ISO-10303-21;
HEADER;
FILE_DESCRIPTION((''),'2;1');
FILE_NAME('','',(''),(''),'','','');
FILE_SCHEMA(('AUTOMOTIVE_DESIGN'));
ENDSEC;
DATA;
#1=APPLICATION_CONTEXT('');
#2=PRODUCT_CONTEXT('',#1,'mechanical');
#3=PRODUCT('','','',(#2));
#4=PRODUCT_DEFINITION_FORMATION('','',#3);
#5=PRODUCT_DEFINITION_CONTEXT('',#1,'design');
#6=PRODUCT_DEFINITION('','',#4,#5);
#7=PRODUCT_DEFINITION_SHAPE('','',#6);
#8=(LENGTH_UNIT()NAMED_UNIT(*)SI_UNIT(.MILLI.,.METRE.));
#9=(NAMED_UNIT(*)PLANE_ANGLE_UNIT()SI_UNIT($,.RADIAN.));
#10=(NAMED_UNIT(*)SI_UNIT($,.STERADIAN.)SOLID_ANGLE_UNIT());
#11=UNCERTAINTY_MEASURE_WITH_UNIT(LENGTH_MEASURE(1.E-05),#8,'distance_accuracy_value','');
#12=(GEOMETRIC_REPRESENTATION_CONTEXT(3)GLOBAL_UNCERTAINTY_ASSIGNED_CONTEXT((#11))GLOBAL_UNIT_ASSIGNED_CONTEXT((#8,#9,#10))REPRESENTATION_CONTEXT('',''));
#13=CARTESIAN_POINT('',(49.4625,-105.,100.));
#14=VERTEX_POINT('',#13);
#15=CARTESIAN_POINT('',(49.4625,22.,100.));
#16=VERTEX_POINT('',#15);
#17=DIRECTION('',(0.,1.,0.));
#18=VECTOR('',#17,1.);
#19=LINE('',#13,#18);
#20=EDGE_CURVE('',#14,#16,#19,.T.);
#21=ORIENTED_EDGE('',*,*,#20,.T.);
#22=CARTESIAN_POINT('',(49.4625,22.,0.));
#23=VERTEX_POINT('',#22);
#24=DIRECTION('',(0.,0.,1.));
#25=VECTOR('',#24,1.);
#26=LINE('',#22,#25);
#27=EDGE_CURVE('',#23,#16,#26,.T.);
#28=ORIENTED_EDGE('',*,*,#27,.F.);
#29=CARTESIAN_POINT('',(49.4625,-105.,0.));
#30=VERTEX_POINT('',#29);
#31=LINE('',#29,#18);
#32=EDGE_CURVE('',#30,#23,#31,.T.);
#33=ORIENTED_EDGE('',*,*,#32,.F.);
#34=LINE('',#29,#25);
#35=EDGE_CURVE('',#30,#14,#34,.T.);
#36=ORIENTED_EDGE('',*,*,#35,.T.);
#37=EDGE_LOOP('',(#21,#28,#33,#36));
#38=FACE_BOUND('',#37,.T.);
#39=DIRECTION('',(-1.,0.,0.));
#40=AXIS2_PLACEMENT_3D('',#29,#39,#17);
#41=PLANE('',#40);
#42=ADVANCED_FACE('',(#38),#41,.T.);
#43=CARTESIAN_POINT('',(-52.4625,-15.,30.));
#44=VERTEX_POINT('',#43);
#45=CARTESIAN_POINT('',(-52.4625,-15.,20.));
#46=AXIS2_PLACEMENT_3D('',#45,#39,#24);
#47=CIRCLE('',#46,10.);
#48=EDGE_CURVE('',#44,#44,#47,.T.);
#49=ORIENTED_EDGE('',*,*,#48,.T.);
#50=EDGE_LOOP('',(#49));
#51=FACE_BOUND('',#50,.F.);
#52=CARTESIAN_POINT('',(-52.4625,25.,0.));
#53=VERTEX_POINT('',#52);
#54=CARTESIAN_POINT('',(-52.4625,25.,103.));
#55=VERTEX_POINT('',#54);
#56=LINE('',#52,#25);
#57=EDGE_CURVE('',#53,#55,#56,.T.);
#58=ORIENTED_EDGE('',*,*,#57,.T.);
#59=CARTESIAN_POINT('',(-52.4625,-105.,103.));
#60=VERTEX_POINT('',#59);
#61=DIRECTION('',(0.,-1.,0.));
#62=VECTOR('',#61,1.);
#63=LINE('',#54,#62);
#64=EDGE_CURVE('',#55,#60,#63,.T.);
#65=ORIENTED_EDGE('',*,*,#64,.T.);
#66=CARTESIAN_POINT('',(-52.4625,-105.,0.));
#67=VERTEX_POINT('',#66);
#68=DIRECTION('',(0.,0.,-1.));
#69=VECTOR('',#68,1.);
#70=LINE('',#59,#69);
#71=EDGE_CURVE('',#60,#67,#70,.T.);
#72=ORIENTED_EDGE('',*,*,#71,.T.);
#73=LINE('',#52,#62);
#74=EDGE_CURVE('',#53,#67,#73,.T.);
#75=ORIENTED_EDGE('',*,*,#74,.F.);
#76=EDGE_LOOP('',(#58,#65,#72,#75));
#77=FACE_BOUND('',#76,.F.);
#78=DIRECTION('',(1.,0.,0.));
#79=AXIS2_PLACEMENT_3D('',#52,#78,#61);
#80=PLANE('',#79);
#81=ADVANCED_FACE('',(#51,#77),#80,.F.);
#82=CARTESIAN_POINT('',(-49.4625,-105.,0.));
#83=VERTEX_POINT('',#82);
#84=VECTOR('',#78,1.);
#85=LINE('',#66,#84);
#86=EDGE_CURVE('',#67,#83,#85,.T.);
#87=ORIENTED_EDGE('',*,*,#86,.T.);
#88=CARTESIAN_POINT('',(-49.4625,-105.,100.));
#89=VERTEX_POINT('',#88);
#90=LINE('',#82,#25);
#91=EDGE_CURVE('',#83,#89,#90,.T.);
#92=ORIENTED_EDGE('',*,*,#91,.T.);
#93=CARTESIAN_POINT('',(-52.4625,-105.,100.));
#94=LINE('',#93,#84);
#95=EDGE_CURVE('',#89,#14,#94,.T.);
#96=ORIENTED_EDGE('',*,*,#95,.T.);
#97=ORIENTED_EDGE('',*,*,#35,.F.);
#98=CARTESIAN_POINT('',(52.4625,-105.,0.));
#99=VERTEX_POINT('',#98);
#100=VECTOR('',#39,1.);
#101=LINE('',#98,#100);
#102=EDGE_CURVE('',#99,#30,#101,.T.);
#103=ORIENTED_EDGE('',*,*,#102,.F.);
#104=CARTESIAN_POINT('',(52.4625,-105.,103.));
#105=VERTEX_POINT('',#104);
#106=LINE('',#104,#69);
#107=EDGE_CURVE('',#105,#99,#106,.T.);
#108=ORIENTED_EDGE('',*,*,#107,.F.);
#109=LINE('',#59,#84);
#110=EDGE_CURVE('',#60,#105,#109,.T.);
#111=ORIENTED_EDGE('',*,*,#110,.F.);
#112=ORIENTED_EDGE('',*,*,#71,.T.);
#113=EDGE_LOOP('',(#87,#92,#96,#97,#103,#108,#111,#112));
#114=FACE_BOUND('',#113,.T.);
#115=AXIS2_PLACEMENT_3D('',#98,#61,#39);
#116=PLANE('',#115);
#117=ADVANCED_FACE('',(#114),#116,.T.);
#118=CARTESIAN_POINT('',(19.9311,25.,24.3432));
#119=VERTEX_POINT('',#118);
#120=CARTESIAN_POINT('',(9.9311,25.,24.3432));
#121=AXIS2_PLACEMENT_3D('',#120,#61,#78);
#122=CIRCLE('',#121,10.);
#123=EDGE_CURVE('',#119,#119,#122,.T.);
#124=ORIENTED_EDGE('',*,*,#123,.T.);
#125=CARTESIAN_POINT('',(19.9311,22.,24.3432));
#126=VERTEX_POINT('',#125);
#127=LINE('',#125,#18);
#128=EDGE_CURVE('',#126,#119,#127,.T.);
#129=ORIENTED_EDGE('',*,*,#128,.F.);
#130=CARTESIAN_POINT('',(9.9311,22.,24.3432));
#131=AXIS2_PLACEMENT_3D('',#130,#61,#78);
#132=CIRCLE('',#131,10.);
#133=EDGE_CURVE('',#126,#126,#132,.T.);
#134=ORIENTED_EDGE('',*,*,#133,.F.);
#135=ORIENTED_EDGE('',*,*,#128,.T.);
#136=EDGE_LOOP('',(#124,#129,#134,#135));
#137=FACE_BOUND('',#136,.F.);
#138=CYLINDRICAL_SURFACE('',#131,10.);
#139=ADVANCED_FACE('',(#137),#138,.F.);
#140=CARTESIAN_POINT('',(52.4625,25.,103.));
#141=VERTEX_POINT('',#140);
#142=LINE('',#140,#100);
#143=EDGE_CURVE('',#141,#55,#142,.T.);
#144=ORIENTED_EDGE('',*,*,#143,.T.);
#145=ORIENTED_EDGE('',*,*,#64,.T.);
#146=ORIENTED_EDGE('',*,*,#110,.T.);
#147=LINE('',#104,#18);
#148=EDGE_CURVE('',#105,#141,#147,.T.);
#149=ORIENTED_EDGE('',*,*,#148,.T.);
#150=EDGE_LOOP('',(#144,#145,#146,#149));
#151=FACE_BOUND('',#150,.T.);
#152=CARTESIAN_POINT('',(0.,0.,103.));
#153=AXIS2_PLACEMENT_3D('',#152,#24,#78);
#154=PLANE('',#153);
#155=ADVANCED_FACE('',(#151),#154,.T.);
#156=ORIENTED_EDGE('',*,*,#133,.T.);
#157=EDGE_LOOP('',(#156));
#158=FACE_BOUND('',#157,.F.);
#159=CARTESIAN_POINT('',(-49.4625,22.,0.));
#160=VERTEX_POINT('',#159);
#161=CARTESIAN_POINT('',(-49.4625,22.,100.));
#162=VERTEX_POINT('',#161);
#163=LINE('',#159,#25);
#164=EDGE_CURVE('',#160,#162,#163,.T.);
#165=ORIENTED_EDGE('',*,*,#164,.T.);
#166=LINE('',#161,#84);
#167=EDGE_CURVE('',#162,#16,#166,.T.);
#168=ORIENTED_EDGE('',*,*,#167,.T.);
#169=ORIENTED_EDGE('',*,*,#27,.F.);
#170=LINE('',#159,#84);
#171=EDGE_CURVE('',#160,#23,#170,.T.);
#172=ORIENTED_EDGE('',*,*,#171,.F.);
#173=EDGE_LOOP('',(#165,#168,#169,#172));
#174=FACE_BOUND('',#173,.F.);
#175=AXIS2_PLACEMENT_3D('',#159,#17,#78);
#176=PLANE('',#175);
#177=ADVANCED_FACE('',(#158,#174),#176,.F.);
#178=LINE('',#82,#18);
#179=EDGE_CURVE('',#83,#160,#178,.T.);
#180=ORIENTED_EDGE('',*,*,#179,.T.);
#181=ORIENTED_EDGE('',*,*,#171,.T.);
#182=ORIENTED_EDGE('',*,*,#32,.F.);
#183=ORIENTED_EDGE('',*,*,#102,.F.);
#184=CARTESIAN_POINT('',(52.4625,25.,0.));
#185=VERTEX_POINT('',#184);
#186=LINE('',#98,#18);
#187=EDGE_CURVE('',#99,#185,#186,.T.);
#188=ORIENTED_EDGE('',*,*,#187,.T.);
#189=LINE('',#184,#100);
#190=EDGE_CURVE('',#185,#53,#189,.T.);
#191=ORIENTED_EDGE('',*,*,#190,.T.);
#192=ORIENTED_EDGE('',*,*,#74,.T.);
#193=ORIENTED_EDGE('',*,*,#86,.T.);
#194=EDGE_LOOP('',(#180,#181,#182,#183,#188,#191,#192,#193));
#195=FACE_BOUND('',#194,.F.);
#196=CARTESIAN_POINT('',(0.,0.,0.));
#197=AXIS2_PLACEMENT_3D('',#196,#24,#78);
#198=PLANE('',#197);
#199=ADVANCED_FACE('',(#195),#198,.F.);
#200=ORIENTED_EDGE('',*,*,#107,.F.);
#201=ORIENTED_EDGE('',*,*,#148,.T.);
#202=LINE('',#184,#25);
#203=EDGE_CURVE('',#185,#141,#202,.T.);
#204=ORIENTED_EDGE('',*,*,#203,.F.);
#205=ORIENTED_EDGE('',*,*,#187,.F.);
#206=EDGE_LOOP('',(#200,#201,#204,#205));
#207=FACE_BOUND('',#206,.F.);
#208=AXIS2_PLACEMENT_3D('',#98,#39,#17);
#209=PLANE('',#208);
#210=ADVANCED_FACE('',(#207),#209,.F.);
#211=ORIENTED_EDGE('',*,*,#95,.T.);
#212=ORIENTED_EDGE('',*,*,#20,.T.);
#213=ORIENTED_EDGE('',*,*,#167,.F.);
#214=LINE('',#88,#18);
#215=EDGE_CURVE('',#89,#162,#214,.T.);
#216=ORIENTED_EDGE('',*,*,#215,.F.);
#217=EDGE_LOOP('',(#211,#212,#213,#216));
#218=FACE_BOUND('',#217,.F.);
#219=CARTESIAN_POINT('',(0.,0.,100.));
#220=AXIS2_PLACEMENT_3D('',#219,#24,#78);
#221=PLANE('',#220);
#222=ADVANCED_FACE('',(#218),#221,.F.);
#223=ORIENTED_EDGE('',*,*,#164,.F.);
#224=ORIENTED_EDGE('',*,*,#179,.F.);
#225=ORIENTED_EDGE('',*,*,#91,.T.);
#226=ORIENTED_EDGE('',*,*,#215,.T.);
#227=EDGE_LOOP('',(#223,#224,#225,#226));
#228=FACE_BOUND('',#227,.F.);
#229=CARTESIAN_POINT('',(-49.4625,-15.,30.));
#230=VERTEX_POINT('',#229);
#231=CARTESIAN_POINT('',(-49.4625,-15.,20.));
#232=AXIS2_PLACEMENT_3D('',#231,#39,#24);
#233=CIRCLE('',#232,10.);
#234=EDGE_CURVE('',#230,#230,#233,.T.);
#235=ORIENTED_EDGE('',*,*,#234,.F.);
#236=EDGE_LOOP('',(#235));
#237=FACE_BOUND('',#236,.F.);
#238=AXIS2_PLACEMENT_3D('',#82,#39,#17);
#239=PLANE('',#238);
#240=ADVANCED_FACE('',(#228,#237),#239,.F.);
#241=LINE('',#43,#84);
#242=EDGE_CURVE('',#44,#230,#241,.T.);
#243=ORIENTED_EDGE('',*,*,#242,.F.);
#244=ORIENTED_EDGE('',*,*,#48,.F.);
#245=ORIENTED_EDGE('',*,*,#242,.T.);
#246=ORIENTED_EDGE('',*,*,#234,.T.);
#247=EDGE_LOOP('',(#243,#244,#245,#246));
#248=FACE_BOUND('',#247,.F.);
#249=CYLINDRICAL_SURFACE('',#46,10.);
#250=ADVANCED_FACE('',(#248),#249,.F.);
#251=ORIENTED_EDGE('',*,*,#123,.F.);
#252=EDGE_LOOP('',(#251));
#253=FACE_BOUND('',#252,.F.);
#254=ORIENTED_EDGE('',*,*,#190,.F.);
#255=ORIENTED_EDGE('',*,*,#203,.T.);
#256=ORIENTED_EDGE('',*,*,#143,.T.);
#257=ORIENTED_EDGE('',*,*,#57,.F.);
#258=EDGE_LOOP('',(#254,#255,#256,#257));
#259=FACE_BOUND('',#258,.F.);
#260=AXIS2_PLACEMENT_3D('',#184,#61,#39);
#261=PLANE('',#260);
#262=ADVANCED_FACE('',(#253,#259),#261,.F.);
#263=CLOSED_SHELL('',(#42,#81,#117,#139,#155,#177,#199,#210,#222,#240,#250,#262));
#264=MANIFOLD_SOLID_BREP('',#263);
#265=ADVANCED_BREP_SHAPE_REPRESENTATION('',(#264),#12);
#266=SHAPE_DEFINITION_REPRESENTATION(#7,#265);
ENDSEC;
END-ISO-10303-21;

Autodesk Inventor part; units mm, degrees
ref_plane "YZ Plane" through (0, 0, 0) normal (1, 0, 0) x (0, 1, 0)
ref_plane "XZ Plane" through (0, 0, 0) normal (0, 1, 0) x (-1, 0, 0)
ref_plane "XY Plane" through (0, 0, 0) normal (0, 0, 1) x (1, 0, 0)
sketch "Sketch1" plane through (0, 0, 0) normal (0, 0, 1) x (1, 0, 0)
  line L0 (52.4625, 25) -> (-52.4625, 25)
  line L1 (-52.4625, 25) -> (-52.4625, -105)
  line L2 (52.4625, -105) -> (52.4625, 25)
  line L3 (-96.7125, -125) -> (96.7125, -125) projected
  line L4 (55.4625, -110) -> (55.4625, -50) projected
  line L5 (-55.4625, -50) -> (-55.4625, -110) projected
  line L6 (52.4625, -105) -> (49.4625, -105)
  line L7 (49.4625, -105) -> (49.4625, 22)
  line L8 (49.4625, 25) -> (52.4625, 25)
  line L9 (52.4625, 25) -> (52.4625, -105)
  line L10 (-52.4625, -105) -> (-49.4625, -105)
  line L11 (-49.4625, -105) -> (-49.4625, 22)
  line L12 (-49.4625, 25) -> (-52.4625, 25)
  line L13 (-52.4625, 25) -> (-52.4625, -105)
  line L14 (49.4625, 25) -> (-49.4625, 25)
  line L15 (-49.4625, 22) -> (49.4625, 22)
  line L16 (-52.4625, -105) -> (-49.4625, -105)
  line L17 (49.4625, -105) -> (52.4625, -105)
  point P0 (0, 0)
  point P1 (50.9625, -105)
  dimension "d7" = 127
  dimension "d8" = 20
  dimension "d9" = 3
  dimension "d10" = 3
  dimension "d11" = 98.925
  dimension "d12" = 3
  dimension "d13" = 3
extrude "Extrusion1" add sketch "Sketch1" along normal blind 100
sketch "Sketch2" plane through (0, 0, 100) normal (0, 0, 1) x (1, 0, 0)
  line L0 (52.4625, -105) -> (52.4625, 25) projected
  line L1 (-52.4625, 25) -> (-52.4625, -105) projected
  line L2 (52.4625, 25) -> (-52.4625, 25)
  line L3 (-52.4625, 25) -> (-52.4625, -105)
  line L4 (-52.4625, -105) -> (52.4625, -105)
  line L5 (52.4625, -105) -> (52.4625, 25)
  point P0 (0, 0)
extrude "Extrusion2" add sketch "Sketch2" along normal blind 3
sketch "Sketch3" plane through (-52.4625, -105, 0) normal (-1, 0, 0) x (0, 0, 1)
  circle A0 centre (20, 90) radius 10
  line L0 (0, 130) -> (0, 0) projected
  line L1 (0, 130) -> (103, 130) projected
  point P0 (0, 105)
  dimension "d18" = 20
  dimension "d19" = 20
  dimension "d20" = 40
extrude "Extrusion3" cut sketch "Sketch3" against normal blind 3
sketch "Sketch4" plane through (-49.4625, 22, 0) normal (0, -1, 0) x (1, 0, 0)
  circle A0 centre (59.3936, 24.3432) radius 10
  point P0 (49.4625, 0)
  dimension "d23" = 20
extrude "Extrusion4" cut sketch "Sketch4" against normal blind 3
properties part number "HANG"
